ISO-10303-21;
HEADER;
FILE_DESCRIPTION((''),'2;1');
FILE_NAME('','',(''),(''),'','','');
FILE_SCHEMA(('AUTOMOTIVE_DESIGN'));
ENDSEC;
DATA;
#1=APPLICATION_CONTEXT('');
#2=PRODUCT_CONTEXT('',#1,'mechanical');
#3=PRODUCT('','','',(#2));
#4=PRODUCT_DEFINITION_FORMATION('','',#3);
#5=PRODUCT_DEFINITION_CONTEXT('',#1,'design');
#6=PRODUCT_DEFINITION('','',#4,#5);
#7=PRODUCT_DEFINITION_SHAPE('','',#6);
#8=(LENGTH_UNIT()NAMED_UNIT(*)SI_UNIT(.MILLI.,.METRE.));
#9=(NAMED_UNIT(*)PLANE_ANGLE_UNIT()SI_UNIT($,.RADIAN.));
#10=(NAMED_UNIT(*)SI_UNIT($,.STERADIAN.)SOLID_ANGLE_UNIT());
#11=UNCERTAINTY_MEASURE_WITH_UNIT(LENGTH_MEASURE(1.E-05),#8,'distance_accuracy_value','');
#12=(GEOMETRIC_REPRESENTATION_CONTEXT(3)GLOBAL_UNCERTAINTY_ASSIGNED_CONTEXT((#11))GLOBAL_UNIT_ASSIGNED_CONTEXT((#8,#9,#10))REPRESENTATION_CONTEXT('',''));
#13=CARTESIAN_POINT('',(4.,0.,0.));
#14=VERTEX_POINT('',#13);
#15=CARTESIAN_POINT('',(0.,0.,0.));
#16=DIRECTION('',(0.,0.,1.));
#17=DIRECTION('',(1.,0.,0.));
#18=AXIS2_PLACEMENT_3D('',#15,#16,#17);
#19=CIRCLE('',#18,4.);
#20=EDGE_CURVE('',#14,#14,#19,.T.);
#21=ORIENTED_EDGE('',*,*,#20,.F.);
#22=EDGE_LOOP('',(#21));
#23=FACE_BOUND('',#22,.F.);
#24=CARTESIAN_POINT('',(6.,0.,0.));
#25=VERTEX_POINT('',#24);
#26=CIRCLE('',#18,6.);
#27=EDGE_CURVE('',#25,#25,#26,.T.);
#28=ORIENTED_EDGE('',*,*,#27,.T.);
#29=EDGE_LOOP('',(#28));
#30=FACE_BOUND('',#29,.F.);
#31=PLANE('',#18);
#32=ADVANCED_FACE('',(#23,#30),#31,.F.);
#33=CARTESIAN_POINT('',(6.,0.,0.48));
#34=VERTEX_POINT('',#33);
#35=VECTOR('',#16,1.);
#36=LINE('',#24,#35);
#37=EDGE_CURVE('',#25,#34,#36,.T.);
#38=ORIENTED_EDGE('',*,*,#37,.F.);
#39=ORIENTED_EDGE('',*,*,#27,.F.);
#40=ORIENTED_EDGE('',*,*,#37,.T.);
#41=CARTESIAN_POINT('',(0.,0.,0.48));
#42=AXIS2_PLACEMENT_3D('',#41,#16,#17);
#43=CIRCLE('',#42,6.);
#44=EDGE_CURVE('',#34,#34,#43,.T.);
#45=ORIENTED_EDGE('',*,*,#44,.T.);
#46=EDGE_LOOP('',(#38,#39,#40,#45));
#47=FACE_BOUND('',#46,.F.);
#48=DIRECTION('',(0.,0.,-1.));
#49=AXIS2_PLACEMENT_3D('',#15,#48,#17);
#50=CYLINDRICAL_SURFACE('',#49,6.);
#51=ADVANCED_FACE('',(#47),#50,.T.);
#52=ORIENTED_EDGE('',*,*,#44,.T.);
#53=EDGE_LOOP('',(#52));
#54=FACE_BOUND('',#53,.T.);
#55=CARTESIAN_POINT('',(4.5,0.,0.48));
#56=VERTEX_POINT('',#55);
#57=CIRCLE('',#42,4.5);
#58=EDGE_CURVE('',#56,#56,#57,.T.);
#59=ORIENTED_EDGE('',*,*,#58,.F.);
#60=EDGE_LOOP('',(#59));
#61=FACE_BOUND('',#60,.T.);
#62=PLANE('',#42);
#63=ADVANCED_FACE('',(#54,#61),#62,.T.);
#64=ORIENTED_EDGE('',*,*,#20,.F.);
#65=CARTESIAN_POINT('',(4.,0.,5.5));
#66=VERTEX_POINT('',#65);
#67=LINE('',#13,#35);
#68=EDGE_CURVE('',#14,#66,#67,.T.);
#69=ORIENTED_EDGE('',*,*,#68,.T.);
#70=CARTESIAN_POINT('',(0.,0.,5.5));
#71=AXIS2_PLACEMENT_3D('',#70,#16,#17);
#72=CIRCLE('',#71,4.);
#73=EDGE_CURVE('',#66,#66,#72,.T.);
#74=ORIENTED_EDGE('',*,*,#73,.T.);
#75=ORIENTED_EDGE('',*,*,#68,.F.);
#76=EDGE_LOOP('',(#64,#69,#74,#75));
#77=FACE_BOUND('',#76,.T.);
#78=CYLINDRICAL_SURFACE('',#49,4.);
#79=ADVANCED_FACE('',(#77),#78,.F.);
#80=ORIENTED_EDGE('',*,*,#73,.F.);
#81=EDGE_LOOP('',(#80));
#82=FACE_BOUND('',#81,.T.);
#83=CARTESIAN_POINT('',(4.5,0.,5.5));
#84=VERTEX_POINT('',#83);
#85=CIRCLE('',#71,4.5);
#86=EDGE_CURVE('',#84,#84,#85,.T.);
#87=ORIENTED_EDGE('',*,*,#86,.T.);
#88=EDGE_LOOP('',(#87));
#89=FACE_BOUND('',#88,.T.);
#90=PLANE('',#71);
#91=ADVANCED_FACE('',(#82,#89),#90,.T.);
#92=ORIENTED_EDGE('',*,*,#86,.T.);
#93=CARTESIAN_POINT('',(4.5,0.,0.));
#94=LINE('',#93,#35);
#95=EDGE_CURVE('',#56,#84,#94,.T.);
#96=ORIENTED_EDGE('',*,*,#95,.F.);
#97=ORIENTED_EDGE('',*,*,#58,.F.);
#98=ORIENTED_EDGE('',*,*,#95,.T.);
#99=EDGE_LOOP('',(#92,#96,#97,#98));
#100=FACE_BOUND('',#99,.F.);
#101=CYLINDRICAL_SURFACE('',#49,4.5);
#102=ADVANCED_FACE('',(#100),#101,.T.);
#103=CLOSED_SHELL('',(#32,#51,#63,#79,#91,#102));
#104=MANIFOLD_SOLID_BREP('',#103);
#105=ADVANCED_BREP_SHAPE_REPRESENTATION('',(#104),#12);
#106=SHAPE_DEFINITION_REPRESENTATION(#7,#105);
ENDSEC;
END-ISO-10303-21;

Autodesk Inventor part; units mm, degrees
ref_plane "YZ Plane" through (0, 0, 0) normal (1, 0, 0) x (0, 1, 0)
ref_plane "XZ Plane" through (0, 0, 0) normal (0, 1, 0) x (-1, 0, 0)
ref_plane "XY Plane" through (0, 0, 0) normal (0, 0, 1) x (1, 0, 0)
sketch "スケッチ1" plane through (0, 0, 0) normal (0, 0, 1) x (1, 0, 0)
  circle A0 centre (0, 0) radius 4
  circle A1 centre (0, 0) radius 4.5
  circle A2 centre (0, 0) radius 6
  dimension "d0" = 8
  dimension "d1" = 9
  dimension "d2" = 12
extrude "押し出し1" add sketch "スケッチ1" along normal blind 0.48 contours A2
extrude "押し出し2" add sketch "スケッチ1" along normal blind 5.5 contours A1
properties part number "ドライメッシュw5.5f8-9a" material "真鍮、ソフト イエロー"
